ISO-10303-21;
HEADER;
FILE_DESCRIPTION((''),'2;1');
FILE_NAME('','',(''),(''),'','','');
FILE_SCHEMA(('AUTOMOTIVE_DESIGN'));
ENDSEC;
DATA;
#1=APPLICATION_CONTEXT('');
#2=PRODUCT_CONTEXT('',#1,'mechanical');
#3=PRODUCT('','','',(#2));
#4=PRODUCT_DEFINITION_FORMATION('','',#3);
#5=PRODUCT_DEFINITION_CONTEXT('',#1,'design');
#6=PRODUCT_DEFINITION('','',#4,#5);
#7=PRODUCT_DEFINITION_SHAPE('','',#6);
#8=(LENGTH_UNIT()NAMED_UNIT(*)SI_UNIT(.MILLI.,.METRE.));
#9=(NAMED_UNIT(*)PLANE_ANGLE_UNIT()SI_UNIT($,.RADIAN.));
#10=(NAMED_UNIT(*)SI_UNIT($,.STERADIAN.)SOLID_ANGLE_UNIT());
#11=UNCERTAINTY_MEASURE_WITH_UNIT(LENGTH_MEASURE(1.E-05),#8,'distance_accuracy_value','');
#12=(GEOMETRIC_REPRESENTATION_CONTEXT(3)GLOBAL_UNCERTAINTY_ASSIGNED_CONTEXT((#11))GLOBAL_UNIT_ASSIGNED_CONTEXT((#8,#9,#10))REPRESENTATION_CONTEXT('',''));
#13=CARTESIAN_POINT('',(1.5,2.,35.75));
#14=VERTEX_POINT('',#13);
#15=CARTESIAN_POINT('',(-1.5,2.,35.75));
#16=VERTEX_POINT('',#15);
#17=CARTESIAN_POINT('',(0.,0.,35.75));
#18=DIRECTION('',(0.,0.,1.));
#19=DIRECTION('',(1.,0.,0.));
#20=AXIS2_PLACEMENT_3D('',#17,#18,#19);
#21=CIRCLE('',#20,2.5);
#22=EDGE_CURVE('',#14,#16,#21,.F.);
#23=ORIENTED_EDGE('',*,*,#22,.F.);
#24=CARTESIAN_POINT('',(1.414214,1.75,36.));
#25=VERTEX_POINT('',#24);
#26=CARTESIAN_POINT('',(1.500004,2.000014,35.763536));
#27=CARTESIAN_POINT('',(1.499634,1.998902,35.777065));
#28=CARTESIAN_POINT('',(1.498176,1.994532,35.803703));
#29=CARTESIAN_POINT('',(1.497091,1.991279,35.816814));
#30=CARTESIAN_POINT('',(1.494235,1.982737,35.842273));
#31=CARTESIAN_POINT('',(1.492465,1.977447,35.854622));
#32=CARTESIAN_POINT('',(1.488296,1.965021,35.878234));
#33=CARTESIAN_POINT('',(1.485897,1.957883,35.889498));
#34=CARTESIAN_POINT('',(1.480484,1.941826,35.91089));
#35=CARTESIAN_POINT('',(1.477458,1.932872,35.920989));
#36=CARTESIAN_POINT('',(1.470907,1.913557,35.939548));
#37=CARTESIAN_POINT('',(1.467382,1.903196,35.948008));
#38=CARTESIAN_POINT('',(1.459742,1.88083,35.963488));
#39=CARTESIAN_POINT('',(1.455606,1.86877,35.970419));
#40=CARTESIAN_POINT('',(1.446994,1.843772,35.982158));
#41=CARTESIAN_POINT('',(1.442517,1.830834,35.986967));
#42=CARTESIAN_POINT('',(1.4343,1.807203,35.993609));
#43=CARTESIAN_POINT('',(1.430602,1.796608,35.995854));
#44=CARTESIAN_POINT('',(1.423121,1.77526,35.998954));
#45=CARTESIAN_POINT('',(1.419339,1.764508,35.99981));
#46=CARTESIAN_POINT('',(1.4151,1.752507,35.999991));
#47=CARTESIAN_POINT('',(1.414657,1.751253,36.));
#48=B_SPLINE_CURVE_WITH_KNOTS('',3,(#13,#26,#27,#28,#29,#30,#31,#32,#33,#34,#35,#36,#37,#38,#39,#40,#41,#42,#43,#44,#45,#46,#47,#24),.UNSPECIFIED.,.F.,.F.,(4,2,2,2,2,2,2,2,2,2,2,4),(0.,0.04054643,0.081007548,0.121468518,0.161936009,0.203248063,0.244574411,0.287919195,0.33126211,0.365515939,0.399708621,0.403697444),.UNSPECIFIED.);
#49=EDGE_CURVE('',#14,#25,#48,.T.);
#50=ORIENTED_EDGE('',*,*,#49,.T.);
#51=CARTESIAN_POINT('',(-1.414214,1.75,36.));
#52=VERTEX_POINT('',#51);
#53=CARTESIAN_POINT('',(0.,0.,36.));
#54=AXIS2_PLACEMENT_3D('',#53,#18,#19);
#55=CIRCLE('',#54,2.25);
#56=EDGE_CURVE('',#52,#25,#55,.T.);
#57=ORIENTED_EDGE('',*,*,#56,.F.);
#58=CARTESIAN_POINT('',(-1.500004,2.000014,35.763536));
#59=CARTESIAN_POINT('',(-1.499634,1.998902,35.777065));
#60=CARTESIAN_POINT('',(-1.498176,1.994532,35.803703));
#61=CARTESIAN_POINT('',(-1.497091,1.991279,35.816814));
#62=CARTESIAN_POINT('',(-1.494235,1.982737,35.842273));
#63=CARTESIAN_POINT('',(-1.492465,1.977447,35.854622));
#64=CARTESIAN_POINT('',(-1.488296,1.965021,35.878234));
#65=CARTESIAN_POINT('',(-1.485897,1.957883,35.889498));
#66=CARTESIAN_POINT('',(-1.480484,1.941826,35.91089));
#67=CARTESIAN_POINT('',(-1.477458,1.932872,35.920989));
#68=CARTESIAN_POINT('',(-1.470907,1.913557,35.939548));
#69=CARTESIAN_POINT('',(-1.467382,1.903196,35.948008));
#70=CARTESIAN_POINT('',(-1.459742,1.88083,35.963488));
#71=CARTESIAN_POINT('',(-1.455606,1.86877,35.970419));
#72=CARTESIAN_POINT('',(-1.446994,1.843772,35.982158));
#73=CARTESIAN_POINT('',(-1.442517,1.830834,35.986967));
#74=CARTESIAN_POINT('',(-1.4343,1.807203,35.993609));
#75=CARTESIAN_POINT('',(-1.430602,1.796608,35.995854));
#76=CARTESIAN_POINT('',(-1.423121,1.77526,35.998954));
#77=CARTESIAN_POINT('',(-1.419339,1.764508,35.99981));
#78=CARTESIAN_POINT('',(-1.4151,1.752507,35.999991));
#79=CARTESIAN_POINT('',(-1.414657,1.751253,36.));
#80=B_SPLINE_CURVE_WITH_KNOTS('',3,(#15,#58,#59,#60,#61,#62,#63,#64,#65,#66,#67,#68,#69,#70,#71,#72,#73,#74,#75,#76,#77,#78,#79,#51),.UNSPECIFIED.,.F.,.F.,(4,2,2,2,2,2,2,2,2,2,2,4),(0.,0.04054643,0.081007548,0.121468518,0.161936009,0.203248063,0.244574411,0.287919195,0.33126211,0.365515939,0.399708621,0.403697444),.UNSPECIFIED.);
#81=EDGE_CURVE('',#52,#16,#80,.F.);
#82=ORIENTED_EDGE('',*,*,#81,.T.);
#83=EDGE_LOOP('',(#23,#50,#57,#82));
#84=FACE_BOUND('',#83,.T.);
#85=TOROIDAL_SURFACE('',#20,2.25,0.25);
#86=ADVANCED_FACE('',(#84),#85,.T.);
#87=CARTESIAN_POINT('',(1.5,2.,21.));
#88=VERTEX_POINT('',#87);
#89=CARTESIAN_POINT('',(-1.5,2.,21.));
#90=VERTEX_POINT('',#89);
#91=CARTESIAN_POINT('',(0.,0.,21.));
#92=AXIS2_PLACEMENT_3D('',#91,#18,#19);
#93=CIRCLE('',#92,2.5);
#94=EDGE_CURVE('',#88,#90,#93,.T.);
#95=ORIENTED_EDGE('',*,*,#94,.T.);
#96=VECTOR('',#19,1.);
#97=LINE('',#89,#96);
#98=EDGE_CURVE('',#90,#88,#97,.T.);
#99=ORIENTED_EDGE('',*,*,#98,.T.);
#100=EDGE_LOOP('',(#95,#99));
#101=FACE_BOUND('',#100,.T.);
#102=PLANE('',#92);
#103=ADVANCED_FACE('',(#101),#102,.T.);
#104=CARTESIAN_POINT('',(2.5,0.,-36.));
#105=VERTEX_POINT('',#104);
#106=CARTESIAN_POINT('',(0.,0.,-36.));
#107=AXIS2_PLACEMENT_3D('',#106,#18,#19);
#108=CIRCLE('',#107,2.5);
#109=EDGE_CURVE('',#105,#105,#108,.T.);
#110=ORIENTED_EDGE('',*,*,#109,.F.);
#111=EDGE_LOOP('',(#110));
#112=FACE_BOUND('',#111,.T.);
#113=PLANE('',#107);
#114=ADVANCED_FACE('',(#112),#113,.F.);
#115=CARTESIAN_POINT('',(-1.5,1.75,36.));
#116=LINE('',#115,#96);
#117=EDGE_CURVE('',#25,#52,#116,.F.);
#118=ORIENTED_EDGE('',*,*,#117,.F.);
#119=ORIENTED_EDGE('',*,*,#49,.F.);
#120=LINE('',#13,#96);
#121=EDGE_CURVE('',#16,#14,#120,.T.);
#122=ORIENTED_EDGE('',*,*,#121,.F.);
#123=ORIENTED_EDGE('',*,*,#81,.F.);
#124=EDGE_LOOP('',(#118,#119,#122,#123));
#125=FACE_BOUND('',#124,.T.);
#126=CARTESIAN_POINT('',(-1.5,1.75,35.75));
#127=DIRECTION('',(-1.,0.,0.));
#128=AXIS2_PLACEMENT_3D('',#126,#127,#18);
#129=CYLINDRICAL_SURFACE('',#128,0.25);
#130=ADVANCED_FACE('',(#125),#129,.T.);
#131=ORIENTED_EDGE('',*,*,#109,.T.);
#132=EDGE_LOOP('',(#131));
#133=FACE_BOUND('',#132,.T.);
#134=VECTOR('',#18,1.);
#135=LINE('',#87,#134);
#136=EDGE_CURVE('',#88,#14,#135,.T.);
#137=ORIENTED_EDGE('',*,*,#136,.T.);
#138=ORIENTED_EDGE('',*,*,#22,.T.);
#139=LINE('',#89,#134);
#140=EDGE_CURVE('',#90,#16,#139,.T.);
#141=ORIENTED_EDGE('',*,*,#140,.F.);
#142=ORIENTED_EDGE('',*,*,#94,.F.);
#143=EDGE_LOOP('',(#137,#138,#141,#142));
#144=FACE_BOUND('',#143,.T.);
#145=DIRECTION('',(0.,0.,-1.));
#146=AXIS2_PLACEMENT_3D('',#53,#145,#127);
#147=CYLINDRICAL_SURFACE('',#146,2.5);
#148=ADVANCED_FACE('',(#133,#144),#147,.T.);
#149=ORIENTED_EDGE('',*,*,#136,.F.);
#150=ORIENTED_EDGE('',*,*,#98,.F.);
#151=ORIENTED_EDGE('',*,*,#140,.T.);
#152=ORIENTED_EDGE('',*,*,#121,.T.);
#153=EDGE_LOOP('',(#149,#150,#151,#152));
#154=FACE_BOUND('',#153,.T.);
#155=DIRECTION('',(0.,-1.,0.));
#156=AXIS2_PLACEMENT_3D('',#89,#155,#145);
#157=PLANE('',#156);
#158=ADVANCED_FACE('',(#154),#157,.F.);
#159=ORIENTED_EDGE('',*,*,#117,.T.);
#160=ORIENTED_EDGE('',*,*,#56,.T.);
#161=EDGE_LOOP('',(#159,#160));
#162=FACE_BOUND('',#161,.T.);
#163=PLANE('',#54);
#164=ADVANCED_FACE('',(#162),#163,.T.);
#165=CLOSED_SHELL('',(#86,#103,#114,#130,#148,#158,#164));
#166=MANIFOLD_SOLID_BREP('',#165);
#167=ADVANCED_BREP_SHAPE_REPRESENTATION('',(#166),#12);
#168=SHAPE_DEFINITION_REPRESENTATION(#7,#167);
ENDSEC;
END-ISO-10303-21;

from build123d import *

# Parameters (mm, degrees)
SKETCH1_R        = 2.5
SHAFT_BODY_DEPTH = 36
D_CUT_DEPTH      = 15
FILLET_2_R       = 0.25


with BuildPart() as part:
    # Sketch1 → Shaft Body (new body, symmetric)
    with BuildSketch(Plane.XY):
        Circle(SKETCH1_R)
    extrude(amount=SHAFT_BODY_DEPTH, both=True)

    # Sketch2 → D Cut (cut)
    with BuildSketch(Plane.XY.offset(36)):
        with BuildLine():
            Line((-1.5, 2), (1.5, 2))
            ThreePointArc((1.5, 2), (0, 2.5), (-1.5, 2))
        make_face()
    extrude(amount=-D_CUT_DEPTH, mode=Mode.SUBTRACT)

    # Fillet 2
    fillet_2_edges = [part.edges().sort_by_distance(p)[0] for p in [
        (-1.118033989, -2.236067977, 36),
        (0, 2, 36),
    ]]
    fillet(fillet_2_edges, radius=FILLET_2_R)


solid = part.part
